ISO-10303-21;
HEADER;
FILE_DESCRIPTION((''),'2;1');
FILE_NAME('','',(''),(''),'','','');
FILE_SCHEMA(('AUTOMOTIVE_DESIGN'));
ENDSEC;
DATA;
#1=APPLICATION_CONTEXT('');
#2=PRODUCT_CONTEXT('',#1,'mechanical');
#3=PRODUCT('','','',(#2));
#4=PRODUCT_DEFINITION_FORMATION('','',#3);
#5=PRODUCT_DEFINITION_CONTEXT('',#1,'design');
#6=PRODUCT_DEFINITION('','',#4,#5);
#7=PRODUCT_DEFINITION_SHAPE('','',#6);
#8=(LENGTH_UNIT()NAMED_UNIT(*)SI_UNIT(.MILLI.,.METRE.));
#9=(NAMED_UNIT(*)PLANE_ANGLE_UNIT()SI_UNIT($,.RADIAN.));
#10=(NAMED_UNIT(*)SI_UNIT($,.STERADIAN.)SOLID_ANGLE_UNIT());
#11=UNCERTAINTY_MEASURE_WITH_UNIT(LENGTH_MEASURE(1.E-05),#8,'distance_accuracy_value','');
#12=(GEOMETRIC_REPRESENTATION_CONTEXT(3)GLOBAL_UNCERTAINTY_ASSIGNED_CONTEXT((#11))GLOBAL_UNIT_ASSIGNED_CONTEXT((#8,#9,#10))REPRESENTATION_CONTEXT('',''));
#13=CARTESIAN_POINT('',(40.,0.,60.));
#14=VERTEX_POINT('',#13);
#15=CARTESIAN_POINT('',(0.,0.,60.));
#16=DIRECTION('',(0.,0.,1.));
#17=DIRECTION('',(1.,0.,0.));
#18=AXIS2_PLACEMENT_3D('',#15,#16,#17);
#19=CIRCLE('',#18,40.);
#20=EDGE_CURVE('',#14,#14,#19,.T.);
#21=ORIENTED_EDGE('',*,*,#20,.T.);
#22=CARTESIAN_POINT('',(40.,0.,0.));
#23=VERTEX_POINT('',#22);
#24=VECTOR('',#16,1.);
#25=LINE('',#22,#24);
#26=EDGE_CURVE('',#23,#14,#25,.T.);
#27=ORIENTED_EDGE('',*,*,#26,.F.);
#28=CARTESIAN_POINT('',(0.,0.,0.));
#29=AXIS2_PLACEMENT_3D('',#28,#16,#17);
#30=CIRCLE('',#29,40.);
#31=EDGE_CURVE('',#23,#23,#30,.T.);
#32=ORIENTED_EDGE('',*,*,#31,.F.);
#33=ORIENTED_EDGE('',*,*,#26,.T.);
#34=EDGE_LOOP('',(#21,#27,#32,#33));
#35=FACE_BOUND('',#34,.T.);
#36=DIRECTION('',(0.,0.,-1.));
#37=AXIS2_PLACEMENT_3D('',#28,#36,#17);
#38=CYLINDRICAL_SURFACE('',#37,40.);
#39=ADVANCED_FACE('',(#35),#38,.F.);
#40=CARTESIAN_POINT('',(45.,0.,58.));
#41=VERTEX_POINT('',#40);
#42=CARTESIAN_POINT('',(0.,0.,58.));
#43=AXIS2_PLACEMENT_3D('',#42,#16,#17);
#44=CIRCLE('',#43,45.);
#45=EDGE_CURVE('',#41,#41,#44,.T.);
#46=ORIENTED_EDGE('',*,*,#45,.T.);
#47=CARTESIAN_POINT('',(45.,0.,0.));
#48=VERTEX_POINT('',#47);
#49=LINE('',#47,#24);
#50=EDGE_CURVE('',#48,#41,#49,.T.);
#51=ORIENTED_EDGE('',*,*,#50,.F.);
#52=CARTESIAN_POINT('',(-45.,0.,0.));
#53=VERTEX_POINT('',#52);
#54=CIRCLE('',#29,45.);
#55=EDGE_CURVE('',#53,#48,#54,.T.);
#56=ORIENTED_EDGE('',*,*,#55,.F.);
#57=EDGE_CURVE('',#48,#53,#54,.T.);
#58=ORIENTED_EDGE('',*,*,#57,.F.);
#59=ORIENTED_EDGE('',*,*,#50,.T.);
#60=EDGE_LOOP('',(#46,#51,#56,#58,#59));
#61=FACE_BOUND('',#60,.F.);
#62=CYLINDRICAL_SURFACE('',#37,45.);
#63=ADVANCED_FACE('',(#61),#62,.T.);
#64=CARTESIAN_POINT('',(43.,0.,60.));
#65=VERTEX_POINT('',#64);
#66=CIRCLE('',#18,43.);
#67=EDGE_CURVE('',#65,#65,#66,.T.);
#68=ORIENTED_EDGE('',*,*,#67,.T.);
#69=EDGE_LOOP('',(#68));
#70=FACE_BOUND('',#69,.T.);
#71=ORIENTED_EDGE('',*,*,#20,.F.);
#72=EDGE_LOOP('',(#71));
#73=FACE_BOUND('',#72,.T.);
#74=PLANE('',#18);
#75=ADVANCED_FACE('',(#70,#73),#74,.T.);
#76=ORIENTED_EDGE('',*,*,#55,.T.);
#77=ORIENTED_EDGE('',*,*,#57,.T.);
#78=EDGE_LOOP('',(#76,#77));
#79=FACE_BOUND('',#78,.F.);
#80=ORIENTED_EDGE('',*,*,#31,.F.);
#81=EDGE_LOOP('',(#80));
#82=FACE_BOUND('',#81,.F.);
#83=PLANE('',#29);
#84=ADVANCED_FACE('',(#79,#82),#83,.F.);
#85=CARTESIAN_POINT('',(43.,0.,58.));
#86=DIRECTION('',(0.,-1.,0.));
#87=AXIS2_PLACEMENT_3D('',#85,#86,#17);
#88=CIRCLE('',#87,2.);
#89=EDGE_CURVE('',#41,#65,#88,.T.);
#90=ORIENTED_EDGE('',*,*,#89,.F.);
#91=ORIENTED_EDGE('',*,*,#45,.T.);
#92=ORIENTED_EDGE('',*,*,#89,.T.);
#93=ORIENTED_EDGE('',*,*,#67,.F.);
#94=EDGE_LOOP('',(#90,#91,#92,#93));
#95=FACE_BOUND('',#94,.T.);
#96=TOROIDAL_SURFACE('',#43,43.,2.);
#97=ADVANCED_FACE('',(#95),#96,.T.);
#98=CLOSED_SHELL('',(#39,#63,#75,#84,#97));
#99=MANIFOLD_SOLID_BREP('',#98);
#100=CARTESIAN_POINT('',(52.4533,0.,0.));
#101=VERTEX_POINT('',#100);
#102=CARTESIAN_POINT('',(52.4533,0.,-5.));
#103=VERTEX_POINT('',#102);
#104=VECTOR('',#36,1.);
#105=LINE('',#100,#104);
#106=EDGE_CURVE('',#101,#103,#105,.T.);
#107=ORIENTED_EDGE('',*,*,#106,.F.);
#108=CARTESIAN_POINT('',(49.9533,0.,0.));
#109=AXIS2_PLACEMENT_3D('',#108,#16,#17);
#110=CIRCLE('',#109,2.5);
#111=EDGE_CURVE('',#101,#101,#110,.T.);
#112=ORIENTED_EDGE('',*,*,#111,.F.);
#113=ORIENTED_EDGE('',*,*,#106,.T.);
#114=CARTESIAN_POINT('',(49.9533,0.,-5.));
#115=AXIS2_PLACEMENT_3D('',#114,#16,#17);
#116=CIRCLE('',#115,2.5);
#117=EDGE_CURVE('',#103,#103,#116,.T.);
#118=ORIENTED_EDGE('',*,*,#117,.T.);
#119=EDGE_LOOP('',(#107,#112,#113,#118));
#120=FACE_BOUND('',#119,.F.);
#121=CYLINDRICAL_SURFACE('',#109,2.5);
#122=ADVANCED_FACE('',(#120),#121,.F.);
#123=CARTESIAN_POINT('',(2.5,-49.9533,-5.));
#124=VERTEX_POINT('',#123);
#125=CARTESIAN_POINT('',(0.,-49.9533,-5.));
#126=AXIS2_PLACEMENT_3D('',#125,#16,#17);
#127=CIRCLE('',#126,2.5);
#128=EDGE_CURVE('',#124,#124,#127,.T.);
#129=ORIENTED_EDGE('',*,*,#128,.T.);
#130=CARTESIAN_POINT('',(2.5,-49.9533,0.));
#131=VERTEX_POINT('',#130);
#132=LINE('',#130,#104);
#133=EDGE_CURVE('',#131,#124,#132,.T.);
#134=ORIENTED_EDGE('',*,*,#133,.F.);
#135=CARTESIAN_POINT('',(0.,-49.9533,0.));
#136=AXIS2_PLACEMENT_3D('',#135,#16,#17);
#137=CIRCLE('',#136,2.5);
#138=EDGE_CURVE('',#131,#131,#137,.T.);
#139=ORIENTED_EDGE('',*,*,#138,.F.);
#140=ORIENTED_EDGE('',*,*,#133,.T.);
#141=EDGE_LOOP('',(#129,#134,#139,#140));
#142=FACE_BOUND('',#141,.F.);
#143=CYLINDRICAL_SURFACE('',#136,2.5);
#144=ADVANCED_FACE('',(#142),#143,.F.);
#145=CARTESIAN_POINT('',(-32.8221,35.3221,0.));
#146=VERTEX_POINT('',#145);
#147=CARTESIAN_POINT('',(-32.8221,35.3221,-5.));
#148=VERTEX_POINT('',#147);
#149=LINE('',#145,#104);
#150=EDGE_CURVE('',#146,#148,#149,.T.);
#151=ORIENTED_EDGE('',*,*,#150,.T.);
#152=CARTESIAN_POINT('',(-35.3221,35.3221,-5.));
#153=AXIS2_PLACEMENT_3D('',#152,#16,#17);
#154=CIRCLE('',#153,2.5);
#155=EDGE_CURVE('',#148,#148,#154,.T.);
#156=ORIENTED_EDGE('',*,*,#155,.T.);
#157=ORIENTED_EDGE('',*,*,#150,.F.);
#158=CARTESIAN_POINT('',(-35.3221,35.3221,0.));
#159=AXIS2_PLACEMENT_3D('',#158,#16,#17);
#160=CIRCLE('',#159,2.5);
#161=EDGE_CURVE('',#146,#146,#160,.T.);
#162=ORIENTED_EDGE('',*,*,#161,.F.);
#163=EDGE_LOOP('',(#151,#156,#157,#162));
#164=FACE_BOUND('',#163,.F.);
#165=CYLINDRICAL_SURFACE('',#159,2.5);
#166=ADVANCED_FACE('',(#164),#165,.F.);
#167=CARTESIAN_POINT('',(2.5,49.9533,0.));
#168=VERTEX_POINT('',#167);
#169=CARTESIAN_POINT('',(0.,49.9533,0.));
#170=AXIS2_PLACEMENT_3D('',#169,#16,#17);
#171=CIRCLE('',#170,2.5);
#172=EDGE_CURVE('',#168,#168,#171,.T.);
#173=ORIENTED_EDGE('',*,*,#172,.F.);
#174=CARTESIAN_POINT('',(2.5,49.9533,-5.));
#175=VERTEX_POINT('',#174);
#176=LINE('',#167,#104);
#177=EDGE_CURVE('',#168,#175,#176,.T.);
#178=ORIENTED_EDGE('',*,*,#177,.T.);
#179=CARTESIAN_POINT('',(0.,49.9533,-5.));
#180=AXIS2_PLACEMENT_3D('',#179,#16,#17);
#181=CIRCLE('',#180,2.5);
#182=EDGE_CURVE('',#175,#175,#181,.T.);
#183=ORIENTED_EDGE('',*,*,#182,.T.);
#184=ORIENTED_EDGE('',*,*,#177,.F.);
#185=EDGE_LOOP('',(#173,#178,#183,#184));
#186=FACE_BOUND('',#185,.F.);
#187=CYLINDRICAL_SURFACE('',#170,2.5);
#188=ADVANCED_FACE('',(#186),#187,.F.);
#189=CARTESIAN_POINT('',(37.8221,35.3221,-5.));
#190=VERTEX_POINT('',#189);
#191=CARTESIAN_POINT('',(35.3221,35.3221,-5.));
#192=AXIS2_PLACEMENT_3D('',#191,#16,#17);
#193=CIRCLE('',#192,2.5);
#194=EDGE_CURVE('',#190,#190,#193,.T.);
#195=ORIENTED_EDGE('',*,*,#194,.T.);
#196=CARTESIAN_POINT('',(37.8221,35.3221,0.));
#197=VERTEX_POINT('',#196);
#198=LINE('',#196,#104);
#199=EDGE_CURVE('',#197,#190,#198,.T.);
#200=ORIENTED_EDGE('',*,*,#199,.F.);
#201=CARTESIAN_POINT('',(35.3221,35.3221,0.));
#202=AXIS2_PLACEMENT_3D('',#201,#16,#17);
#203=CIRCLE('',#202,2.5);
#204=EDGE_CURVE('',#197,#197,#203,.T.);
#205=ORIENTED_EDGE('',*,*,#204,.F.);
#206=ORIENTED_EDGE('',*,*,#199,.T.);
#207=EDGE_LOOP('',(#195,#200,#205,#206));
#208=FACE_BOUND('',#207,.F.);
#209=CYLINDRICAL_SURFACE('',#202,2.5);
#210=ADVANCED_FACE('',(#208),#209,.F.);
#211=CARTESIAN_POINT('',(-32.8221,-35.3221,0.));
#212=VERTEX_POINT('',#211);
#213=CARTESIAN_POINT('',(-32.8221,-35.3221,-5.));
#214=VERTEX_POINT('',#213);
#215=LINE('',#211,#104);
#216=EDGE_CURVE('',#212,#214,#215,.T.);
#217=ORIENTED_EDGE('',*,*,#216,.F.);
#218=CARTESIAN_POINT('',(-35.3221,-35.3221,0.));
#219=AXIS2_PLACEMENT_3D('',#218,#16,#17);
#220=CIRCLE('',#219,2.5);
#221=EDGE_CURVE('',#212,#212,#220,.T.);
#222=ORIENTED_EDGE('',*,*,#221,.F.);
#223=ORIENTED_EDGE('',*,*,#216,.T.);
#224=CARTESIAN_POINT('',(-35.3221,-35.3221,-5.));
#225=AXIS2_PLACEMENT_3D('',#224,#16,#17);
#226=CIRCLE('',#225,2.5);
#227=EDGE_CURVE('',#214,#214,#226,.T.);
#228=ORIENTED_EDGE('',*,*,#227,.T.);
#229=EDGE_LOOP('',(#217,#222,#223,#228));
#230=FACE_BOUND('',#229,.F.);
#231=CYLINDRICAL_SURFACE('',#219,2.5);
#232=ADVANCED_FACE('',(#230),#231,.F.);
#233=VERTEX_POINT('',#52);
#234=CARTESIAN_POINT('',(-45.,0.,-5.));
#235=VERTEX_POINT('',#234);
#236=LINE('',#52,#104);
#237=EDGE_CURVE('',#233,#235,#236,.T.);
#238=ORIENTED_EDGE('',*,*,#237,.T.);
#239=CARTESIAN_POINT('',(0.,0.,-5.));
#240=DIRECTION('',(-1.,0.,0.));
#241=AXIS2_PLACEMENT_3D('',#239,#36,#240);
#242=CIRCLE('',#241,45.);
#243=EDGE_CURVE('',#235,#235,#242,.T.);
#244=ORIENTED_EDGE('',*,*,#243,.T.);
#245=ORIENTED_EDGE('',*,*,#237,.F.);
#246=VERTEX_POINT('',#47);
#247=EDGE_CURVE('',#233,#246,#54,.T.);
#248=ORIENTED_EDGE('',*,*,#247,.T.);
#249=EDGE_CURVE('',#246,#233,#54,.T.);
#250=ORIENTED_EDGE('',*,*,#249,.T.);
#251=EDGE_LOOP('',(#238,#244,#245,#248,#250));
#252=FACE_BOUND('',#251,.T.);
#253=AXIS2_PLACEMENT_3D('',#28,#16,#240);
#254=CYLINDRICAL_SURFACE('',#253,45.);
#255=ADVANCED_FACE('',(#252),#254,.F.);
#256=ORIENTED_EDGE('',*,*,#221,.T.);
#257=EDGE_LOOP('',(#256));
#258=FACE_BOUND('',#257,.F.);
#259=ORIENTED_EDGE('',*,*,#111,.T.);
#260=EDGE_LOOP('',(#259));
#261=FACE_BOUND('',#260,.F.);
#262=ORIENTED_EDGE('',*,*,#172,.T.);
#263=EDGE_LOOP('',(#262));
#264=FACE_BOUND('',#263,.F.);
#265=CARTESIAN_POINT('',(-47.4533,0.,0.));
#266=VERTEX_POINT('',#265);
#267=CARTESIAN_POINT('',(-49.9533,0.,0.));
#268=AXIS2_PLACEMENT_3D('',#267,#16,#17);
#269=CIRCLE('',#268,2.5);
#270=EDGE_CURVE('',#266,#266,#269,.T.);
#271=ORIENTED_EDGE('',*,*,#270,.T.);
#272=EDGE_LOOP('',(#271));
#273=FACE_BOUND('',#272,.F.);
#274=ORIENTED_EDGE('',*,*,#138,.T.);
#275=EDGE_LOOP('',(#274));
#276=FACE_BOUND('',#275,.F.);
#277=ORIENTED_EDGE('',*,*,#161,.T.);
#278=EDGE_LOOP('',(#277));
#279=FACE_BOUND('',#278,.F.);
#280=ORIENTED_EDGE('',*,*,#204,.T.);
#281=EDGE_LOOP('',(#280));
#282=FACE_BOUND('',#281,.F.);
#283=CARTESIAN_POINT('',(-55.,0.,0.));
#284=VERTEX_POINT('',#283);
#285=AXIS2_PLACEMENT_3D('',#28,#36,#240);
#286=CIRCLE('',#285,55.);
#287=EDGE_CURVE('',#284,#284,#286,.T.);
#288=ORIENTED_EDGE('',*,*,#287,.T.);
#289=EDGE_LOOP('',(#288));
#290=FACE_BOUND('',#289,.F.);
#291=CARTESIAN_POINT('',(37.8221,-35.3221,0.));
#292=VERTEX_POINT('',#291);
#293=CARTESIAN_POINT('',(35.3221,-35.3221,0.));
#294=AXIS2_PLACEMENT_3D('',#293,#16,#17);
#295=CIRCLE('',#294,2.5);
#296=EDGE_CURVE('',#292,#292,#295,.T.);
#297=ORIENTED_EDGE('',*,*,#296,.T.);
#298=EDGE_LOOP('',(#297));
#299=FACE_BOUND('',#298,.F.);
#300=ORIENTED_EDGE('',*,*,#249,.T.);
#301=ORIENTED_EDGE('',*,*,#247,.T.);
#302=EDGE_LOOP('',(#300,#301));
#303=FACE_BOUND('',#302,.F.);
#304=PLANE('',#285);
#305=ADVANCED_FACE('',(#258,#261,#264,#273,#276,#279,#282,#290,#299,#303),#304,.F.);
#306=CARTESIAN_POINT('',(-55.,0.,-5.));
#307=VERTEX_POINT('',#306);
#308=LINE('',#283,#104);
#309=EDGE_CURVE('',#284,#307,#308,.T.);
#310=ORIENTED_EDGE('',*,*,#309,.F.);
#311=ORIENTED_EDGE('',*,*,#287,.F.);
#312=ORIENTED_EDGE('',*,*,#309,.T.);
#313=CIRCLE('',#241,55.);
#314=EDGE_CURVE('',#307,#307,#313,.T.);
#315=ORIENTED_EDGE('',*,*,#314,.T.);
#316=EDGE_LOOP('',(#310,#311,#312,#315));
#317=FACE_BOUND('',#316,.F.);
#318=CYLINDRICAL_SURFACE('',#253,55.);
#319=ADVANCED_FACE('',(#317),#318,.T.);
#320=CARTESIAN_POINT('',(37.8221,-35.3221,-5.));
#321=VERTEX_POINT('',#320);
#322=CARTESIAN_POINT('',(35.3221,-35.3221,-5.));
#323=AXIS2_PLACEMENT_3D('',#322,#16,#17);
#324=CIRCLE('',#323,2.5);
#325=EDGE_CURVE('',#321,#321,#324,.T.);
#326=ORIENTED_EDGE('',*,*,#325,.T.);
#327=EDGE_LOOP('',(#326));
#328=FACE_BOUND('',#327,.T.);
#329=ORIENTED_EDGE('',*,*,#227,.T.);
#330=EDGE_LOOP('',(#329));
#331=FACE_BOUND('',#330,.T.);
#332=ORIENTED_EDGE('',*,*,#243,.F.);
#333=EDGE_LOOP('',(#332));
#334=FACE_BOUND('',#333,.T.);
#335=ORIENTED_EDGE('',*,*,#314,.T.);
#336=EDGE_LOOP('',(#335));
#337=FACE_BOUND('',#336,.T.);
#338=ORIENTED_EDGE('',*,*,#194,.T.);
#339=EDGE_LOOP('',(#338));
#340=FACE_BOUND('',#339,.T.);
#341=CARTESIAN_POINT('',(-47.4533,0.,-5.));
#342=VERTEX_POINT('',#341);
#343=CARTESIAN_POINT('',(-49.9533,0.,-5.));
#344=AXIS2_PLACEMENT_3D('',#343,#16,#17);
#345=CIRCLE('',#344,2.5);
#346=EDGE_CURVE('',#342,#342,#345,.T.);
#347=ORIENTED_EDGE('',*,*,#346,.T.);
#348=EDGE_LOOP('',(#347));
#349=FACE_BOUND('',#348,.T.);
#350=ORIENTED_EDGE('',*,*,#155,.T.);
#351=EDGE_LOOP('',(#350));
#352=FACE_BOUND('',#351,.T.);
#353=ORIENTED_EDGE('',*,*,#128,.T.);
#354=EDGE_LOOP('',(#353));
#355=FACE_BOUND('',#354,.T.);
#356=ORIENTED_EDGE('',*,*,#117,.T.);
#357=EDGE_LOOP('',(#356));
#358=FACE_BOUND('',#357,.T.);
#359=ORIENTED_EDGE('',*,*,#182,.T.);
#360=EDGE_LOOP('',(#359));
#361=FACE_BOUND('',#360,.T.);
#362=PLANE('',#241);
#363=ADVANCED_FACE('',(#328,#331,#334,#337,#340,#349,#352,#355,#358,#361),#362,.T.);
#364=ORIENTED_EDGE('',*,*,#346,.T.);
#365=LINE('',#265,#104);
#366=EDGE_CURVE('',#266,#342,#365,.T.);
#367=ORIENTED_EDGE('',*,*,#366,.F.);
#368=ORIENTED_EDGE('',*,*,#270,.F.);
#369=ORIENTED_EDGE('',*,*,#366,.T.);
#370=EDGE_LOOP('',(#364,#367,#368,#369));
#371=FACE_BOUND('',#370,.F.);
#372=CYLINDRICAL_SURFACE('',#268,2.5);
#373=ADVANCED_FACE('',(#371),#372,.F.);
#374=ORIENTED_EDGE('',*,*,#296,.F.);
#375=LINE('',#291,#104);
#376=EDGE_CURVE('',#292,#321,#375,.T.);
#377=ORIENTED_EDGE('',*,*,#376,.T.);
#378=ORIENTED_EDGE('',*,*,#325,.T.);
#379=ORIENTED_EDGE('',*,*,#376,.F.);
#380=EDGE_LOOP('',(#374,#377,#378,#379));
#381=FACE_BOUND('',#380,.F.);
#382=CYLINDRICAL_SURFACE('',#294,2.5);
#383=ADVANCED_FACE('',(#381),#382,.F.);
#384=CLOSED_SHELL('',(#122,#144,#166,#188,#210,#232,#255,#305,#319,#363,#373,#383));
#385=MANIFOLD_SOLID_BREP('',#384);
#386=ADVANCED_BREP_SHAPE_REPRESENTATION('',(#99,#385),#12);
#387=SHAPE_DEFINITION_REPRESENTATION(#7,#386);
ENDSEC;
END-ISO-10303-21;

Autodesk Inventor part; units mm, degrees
ref_plane "YZ Plane" through (0, 0, 0) normal (1, 0, 0) x (0, 1, 0)
ref_plane "XZ Plane" through (0, 0, 0) normal (0, 1, 0) x (-1, 0, 0)
ref_plane "XY Plane" through (0, 0, 0) normal (0, 0, 1) x (1, 0, 0)
sketch "Sketch1" plane through (0, 0, 0) normal (0, 0, 1) x (1, 0, 0)
  circle A0 centre (0, 0) radius 40
  circle A1 centre (0, 0) radius 45
  dimension "d0" = 80
  dimension "d1" = 5
extrude "Extrusion1" add sketch "Sketch1" along normal blind 60
fillet "Fillet1" radius 2 1 edges at (-45, 0, 60)
sketch "Sketch2" plane through (0, 0, 0) normal (0, 0, -1) x (-1, 0, 0)
  circle A0 centre (0, 0) radius 45 projected
  circle A1 centre (0, 0) radius 55
  dimension "d5" = 10
extrude "Extrusion2" add sketch "Sketch2" along normal blind 5
sketch "Sketch3" plane through (0, 0, 0) normal (0, 0, 1) x (1, 0, 0)
  circle A0 centre (0, -49.9533) radius 2.5
  circle A1 centre (0, 0) radius 45 projected
  circle A2 centre (49.9533, 0) radius 2.5
  circle A3 centre (0, 49.9533) radius 2.5
  circle A4 centre (-49.9533, 0) radius 2.5
  dimension "d8" = 5
  dimension "d11" = 360
extrude "Extrusion3" cut sketch "Sketch3" against normal through all contours A0 | A2 | A3 | A4
sketch "Sketch4" plane through (0, 0, 0) normal (0, 0, 1) x (1, 0, 0)
  line L0 (0, 0) -> (49.953, 0) construction
  circle A0 centre (35.3221, 35.3221) radius 2.5
  circle A1 centre (35.3221, -35.3221) radius 2.5
  circle A2 centre (-35.3221, -35.3221) radius 2.5
  circle A3 centre (-35.3221, 35.3221) radius 2.5
  dimension "d20" = 360
extrude "Extrusion4" cut sketch "Sketch4" against normal through all
sketch "Sketch5" plane through (0, 0, 60) normal (0, 0, 1) x (1, 0, 0)
  point P0 (0, 0)
properties part number "base" material "Aluminum 6061"
